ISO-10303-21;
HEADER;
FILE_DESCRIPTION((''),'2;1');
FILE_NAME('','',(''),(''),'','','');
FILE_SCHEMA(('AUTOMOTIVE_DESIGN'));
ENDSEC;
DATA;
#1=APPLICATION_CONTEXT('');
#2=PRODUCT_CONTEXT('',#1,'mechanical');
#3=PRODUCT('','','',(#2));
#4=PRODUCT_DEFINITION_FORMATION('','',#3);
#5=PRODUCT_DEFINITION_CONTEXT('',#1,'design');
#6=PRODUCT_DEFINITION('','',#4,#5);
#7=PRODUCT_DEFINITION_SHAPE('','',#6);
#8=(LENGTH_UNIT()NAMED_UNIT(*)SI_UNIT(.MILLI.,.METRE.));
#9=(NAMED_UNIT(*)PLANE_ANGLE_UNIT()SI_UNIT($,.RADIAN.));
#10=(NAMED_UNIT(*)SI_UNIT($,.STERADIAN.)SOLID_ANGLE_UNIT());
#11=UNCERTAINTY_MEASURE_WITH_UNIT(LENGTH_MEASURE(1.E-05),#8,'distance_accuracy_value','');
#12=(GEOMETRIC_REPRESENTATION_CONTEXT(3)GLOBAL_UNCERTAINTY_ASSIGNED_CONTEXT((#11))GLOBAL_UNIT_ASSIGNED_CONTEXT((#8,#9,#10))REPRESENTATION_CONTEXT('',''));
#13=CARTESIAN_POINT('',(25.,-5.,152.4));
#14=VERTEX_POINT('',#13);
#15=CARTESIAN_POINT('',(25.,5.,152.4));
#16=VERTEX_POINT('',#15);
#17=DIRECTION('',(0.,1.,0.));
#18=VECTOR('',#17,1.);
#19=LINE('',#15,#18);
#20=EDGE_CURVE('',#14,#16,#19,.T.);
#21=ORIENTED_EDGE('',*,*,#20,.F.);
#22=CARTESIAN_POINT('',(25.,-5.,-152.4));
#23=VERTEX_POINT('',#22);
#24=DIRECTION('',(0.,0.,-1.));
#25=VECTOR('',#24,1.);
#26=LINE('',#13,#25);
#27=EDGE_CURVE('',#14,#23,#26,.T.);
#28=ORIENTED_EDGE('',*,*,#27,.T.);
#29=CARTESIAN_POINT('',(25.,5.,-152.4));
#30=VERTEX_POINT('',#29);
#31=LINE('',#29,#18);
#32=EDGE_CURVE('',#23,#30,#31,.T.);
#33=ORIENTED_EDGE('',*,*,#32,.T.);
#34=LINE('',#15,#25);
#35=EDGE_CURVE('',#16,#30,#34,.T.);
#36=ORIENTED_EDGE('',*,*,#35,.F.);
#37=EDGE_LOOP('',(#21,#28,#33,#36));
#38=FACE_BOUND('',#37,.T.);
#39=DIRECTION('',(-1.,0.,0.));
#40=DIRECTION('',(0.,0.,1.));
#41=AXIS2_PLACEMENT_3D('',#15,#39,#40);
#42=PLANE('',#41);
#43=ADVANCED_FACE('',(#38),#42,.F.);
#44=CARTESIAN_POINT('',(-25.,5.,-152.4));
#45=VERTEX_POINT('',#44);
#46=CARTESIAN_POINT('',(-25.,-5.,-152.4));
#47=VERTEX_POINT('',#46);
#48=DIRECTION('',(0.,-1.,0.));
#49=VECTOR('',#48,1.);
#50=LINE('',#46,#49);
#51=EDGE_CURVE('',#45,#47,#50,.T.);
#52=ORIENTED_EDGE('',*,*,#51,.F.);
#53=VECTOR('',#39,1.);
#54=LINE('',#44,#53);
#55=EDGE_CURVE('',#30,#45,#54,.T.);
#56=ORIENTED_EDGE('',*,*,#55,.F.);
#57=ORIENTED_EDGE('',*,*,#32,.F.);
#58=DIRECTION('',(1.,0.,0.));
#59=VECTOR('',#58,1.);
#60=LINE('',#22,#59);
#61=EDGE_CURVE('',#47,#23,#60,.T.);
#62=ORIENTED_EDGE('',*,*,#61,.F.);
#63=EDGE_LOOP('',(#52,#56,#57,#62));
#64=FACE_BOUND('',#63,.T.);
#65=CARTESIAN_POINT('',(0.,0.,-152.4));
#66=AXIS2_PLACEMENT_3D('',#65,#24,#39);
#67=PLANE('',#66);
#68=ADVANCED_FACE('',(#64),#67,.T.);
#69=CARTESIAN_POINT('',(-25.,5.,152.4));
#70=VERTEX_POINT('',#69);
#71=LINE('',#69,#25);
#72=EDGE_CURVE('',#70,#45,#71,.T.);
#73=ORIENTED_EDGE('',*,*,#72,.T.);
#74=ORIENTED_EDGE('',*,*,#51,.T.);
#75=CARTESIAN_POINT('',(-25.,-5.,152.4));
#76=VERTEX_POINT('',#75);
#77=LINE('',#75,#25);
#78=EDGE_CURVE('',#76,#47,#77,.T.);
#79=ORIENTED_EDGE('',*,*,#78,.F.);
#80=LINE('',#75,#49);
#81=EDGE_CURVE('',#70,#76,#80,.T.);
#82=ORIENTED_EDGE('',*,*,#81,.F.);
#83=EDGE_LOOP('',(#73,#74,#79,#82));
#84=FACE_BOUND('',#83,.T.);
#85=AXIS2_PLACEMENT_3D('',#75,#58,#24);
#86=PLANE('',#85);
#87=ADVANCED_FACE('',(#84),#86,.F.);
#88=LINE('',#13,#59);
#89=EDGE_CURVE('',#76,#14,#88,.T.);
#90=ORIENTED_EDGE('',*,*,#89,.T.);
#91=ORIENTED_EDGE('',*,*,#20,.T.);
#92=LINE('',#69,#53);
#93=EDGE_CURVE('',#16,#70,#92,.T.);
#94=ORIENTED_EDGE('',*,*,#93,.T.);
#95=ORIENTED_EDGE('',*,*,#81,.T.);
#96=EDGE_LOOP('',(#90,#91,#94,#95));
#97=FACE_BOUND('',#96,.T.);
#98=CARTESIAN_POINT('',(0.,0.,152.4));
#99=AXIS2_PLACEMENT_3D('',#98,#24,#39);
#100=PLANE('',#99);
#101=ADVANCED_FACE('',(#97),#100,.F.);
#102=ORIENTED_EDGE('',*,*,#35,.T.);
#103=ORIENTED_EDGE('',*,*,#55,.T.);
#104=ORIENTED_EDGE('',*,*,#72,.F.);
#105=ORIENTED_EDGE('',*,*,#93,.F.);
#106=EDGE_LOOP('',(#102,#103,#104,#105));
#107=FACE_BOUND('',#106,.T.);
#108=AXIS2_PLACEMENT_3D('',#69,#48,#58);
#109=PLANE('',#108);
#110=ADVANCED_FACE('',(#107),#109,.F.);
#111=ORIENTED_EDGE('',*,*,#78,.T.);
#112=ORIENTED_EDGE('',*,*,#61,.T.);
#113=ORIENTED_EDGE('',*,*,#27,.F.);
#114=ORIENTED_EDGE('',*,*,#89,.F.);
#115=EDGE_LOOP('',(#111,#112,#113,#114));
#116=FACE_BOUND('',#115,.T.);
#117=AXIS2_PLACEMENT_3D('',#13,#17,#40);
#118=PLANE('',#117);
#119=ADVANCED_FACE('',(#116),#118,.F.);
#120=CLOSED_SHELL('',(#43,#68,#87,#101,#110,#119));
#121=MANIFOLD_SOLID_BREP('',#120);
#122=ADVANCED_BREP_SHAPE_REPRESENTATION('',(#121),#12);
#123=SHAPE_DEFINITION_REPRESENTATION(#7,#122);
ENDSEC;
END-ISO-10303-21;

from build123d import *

# Parameters (mm, degrees)
SKETCH3_W           = 50
SKETCH3_H           = 10
BOSS_EXTRUDE1_DEPTH = 152.4


with BuildPart() as part:
    # Sketch3 → Boss-Extrude1 (new, symmetric)
    with BuildSketch(Plane.XY):
        Rectangle(SKETCH3_W, SKETCH3_H)
    extrude(amount=BOSS_EXTRUDE1_DEPTH, both=True)


solid = part.part
